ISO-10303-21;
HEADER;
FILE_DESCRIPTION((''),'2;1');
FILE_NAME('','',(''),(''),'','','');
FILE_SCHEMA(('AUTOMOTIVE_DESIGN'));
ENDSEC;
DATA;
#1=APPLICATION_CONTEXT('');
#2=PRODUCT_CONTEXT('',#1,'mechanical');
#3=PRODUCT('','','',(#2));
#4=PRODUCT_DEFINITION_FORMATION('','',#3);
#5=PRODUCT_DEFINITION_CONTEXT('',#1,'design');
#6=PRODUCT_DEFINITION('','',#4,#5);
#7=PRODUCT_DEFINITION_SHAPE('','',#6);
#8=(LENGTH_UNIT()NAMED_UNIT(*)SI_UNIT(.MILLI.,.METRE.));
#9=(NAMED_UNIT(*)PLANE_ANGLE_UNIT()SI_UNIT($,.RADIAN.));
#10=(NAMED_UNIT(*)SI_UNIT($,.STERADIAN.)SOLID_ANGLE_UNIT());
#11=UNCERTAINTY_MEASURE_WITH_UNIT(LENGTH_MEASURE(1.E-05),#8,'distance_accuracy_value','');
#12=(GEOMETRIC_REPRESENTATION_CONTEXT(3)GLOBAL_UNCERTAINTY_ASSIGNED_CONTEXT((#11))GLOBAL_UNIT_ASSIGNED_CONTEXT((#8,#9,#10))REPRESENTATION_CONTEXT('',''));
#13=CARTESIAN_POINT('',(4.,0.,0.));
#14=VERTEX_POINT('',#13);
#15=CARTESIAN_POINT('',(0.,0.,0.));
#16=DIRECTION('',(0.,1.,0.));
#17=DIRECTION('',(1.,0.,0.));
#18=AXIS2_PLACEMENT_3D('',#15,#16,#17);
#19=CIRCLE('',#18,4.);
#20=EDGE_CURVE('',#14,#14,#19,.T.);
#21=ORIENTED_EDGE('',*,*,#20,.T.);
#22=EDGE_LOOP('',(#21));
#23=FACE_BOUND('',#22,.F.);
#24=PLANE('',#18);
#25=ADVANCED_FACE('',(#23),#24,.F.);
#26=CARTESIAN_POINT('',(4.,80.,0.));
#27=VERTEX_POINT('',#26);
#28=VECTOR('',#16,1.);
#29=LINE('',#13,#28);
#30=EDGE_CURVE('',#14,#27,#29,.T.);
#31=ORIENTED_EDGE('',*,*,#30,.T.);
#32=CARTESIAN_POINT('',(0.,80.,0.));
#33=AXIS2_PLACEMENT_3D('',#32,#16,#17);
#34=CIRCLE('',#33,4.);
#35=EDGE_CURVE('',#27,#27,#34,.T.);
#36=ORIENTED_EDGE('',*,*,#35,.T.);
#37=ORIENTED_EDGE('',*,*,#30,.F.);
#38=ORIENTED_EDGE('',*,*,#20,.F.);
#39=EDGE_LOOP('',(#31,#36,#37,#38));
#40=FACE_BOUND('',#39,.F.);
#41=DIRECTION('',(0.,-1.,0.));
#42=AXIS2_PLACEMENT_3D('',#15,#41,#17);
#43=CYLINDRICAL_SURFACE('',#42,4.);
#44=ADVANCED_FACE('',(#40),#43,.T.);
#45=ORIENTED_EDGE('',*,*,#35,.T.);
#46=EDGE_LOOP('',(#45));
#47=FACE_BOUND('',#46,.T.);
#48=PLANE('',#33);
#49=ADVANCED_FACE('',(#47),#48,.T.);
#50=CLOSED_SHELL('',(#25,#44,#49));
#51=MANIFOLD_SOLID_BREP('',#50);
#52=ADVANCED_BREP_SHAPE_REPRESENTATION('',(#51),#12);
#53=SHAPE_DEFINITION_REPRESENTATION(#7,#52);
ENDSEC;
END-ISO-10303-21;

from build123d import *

# Parameters (mm, degrees)
SKETCH_1_R      = 4
EXTRUDE_1_DEPTH = 80


with BuildPart() as part:
    # 草图1 → 凸台-拉伸1 (new body)
    with BuildSketch(Plane(origin=(0, 0, 0), x_dir=(1, 0, 0), z_dir=(0, 1, 0))):
        Circle(SKETCH_1_R)
    extrude(amount=EXTRUDE_1_DEPTH)


solid = part.part
